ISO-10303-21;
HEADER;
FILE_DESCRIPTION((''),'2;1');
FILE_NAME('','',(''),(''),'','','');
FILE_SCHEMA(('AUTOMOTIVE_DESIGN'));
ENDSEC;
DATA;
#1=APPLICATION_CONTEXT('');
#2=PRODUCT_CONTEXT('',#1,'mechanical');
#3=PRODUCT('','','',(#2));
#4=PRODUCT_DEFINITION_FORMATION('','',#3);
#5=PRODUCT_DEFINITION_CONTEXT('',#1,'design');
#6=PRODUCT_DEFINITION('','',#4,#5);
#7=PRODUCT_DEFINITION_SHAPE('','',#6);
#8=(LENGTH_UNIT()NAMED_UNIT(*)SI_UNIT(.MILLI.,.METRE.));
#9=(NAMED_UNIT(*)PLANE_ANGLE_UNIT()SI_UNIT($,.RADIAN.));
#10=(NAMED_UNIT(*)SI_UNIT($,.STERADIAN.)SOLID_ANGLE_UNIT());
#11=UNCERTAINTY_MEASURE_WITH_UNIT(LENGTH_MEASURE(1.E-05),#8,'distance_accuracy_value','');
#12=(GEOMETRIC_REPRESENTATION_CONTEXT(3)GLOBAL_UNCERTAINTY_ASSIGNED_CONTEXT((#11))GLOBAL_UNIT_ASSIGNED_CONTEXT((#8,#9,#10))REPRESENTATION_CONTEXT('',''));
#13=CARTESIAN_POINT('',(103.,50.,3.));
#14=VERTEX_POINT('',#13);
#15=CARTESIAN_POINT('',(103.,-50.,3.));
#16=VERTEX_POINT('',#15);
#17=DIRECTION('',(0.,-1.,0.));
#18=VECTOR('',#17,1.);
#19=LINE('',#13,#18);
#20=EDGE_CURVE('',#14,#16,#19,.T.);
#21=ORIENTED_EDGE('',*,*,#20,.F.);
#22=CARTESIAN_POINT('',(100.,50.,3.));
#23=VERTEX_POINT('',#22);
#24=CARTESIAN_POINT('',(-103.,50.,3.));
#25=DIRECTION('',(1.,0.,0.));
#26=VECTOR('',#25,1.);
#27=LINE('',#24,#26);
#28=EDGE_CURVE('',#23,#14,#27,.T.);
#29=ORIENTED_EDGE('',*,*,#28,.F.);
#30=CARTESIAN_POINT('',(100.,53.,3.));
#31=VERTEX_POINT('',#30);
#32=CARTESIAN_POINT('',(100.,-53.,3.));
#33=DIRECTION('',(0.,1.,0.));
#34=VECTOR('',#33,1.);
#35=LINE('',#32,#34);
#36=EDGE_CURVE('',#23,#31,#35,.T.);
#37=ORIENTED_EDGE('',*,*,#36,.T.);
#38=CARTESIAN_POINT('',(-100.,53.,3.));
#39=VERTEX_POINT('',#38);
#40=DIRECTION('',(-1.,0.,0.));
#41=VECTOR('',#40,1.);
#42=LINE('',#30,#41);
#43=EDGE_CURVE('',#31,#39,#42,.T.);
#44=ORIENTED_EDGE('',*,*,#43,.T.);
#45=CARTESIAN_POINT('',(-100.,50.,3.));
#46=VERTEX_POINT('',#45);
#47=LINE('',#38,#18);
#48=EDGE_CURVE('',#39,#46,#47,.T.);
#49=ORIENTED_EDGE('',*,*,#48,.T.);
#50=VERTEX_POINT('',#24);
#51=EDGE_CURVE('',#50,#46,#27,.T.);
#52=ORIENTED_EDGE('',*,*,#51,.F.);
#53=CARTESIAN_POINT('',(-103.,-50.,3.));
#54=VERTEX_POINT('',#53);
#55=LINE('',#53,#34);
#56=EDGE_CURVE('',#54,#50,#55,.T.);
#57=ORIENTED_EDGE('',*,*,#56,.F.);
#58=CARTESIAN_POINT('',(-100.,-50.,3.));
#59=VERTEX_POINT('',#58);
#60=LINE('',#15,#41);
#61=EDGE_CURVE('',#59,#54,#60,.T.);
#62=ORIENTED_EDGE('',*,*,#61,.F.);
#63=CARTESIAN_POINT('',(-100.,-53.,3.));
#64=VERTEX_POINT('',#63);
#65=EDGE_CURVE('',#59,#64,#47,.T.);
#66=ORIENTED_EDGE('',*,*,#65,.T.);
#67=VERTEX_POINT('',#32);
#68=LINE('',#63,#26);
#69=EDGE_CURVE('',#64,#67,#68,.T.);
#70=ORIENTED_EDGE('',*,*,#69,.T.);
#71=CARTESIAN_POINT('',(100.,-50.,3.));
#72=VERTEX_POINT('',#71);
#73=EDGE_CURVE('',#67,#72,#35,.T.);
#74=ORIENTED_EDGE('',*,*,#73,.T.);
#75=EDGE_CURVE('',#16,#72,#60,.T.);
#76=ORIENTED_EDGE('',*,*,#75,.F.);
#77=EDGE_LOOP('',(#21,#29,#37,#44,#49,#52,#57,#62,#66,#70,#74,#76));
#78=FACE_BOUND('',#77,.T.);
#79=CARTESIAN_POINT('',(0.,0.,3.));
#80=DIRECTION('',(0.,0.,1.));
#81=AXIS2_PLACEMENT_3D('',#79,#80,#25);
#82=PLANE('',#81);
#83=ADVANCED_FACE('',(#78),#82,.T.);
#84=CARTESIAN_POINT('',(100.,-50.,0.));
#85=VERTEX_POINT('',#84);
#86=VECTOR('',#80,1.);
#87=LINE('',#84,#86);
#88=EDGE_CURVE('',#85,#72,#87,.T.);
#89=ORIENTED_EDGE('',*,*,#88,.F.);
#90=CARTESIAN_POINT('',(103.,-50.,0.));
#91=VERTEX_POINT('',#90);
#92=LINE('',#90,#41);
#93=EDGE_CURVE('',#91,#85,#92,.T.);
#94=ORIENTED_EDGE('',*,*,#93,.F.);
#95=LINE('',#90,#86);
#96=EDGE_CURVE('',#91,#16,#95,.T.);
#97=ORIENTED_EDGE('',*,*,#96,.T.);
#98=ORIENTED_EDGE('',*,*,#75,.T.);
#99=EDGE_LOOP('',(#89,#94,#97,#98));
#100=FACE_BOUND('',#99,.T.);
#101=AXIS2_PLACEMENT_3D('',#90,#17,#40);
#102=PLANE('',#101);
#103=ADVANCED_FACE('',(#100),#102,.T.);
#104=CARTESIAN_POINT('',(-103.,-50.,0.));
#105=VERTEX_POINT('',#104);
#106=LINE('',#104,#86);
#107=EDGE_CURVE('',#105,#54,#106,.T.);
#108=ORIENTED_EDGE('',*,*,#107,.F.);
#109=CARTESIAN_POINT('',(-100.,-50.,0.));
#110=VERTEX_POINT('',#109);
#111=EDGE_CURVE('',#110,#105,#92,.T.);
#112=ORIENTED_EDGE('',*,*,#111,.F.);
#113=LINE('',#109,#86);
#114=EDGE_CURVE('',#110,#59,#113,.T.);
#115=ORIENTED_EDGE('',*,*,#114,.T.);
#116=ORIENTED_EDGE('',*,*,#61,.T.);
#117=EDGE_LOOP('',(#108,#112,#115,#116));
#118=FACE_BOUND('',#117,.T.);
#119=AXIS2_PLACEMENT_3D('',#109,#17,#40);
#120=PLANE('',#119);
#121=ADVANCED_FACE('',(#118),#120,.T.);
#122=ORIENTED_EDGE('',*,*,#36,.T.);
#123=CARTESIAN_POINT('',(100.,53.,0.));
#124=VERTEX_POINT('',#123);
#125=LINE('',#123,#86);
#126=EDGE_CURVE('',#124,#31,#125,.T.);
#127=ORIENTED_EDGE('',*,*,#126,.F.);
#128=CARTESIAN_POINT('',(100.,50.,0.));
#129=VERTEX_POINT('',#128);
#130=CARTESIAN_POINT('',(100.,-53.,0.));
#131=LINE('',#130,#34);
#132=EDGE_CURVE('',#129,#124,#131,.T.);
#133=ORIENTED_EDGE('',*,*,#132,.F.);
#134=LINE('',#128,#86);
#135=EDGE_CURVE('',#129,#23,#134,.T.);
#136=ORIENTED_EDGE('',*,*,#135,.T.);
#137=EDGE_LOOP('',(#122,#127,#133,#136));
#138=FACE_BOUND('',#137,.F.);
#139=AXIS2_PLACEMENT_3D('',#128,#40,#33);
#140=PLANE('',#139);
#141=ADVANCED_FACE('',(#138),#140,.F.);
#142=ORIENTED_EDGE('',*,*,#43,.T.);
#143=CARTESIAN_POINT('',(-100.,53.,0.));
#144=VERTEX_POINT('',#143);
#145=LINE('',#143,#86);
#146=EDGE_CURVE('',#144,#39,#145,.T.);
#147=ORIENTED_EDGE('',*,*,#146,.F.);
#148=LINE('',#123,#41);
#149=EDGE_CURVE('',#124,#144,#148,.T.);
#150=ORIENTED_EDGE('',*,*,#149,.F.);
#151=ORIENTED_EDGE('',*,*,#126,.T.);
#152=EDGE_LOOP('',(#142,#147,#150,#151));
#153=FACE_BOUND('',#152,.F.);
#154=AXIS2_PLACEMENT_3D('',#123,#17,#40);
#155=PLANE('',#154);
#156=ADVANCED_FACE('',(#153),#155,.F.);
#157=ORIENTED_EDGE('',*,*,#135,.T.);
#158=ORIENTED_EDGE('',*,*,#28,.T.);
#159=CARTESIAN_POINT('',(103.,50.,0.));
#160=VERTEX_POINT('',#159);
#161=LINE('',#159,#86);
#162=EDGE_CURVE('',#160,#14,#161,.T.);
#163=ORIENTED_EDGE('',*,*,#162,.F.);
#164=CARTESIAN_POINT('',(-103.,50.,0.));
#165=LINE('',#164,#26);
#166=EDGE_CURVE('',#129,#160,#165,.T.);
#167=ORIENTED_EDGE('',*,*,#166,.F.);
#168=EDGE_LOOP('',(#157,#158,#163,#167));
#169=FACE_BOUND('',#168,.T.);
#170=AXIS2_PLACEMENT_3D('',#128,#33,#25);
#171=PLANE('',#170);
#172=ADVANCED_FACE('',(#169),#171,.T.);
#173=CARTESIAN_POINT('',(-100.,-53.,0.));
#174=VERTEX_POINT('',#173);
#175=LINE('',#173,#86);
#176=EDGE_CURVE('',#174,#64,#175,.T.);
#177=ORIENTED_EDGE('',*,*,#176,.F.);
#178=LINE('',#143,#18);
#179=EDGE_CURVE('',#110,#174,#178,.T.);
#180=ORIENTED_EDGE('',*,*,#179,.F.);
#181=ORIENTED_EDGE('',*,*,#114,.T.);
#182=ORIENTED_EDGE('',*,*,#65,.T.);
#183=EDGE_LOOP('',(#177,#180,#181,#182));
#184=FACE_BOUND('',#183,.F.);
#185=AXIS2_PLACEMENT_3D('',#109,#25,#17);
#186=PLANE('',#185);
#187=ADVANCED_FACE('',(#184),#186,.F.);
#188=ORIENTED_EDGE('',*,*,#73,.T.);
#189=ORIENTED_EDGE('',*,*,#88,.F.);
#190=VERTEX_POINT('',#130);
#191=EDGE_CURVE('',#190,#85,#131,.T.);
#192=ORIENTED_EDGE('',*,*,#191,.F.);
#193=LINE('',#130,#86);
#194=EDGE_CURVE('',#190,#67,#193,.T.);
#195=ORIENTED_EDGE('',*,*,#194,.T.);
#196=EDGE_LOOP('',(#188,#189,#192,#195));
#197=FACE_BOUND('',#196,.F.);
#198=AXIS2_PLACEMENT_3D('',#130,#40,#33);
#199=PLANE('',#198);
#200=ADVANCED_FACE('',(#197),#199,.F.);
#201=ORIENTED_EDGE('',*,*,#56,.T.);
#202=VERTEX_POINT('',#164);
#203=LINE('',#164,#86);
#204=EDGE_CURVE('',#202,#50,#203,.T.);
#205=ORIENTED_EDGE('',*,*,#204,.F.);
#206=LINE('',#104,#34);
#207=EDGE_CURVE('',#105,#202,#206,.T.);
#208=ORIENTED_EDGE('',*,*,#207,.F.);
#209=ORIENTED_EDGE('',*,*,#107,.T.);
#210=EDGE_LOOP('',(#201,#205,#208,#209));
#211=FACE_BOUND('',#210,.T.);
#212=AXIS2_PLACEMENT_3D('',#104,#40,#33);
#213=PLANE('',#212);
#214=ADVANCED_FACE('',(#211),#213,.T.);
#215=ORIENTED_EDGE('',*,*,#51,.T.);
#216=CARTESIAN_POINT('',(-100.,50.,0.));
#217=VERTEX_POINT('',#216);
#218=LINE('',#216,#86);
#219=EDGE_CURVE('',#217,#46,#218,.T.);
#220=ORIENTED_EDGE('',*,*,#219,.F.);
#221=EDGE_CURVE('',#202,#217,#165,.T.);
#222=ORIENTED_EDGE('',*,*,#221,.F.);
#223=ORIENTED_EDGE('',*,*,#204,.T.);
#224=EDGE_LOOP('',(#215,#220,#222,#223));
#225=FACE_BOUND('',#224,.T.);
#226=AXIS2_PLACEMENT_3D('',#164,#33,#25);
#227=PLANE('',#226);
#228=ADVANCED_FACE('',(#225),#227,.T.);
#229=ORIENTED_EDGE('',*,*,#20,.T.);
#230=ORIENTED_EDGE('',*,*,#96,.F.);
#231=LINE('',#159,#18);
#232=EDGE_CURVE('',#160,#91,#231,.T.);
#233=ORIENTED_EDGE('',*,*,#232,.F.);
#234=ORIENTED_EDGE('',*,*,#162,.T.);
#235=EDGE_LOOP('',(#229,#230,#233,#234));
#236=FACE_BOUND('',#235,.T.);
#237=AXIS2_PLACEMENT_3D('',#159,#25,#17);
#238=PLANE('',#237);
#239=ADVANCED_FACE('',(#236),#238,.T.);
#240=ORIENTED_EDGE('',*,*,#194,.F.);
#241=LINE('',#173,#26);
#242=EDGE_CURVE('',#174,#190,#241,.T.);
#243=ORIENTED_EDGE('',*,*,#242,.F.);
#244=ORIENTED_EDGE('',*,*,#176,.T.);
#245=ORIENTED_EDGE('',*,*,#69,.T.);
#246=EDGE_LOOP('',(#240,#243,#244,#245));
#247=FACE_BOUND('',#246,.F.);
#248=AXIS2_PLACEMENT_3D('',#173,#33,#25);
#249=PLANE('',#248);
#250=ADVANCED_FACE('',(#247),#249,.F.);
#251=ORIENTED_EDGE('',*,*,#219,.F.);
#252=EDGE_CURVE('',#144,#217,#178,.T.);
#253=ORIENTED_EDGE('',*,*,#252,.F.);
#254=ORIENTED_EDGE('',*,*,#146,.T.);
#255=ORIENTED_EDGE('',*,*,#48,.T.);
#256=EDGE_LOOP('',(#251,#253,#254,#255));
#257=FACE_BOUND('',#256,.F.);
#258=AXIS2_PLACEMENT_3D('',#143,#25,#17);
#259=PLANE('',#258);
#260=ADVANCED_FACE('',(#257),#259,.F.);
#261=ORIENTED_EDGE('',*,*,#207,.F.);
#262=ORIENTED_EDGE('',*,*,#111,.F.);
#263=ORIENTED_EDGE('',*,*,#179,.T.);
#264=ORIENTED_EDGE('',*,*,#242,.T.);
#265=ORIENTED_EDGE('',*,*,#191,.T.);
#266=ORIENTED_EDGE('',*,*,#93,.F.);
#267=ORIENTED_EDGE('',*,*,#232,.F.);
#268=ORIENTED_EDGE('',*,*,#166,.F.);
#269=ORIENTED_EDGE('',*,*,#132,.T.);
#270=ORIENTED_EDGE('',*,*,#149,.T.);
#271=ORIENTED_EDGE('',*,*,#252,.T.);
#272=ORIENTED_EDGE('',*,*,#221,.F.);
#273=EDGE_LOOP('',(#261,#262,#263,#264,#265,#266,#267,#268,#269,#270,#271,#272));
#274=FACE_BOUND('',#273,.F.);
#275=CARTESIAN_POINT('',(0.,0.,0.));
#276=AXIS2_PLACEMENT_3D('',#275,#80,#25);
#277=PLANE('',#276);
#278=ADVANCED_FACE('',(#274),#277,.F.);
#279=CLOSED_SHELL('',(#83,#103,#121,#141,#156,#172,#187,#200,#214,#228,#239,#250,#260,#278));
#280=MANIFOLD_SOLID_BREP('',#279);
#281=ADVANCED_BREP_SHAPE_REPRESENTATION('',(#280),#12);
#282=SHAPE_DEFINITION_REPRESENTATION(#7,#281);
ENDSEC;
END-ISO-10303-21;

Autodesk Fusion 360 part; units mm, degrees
sketch "Esquisse1" plane through (0, 0, 0) normal (0, 0, 1) x (1, 0, 0)
  line L0 (103, -50) -> (-103, -50)
  line L1 (-103, -50) -> (-103, 50)
  line L2 (-103, 50) -> (103, 50)
  line L3 (103, 50) -> (103, -50)
  line L4 (103, -50) -> (-103, 50) construction
  line L5 (-103, -50) -> (103, 50) construction
  line L6 (-100, -53) -> (100, -53)
  line L7 (100, -53) -> (100, 53)
  line L8 (100, 53) -> (-100, 53)
  line L9 (-100, 53) -> (-100, -53)
  line L10 (-100, -53) -> (100, 53) construction
  line L11 (100, -53) -> (-100, 53) construction
  dimension "d1" = 206
  dimension "d2" = 100
  dimension "d41" = 200
  dimension "d42" = 106
extrude "Extrusion1" add sketch "Esquisse1" along normal blind 3
sketch "Esquisse3" plane through (0, 0, 3) normal (0, 0, 1) x (-1, 0, 0)
  line L0 (100, -50) -> (103, -50)
  line L1 (103, -50) -> (103, 50)
  line L2 (103, 50) -> (100, 50)
  line L3 (-103, 50) -> (-103, -50)
  circle A0 centre (70, 0) radius 11.5
  circle A1 centre (37, 0) radius 10
  line L4 (-6.1, -21.1) -> (-93.9, -21.1)
  line L5 (-93.9, -21.1) -> (-93.9, 21.1)
  line L6 (-93.9, 21.1) -> (-6.1, 21.1)
  line L7 (-6.1, 21.1) -> (-6.1, -21.1)
  line L8 (-6.1, -21.1) -> (-93.9, 21.1) construction
  line L9 (-93.9, -21.1) -> (-6.1, 21.1) construction
  line L10 (-3.5, -27.5) -> (-96.5, -27.5)
  line L11 (-96.5, -27.5) -> (-96.5, 27.5)
  line L12 (-96.5, 27.5) -> (-3.5, 27.5)
  line L13 (-3.5, 27.5) -> (-3.5, -27.5)
  line L14 (-3.5, -27.5) -> (-96.5, 27.5) construction
  line L15 (-96.5, -27.5) -> (-3.5, 27.5) construction
  line L16 (103, 50) -> (103, -50)
  line L17 (-100, -50) -> (-100, -53)
  line L18 (-100, -53) -> (100, -53)
  line L19 (100, -53) -> (100, -50)
  line L20 (100, 50) -> (100, 53)
  line L21 (100, 53) -> (-100, 53)
  line L22 (-100, 53) -> (-100, 50)
  line L23 (-100, 50) -> (-103, 50)
  line L24 (-103, -50) -> (-100, -50)
  point P0 (-50, 0)
  point P1 (-50, 0)
  dimension "d15" = 23
  dimension "d19" = 50
  dimension "d22" = 33
  dimension "d23" = 20
  dimension "d26" = 3
  dimension "d27" = 100
  dimension "d28" = 50
  dimension "d30" = 87.8
  dimension "d31" = 42.2
  dimension "d32" = 50
  dimension "d34" = 93
  dimension "d35" = 55
  dimension "d40" = 66
  dimension "d43" = 50
equation "d30 = 87.3 mm + 0.5 mm"
equation "d31 = 41.7 mm + 0.5 mm"
equation "d32 = d19"
